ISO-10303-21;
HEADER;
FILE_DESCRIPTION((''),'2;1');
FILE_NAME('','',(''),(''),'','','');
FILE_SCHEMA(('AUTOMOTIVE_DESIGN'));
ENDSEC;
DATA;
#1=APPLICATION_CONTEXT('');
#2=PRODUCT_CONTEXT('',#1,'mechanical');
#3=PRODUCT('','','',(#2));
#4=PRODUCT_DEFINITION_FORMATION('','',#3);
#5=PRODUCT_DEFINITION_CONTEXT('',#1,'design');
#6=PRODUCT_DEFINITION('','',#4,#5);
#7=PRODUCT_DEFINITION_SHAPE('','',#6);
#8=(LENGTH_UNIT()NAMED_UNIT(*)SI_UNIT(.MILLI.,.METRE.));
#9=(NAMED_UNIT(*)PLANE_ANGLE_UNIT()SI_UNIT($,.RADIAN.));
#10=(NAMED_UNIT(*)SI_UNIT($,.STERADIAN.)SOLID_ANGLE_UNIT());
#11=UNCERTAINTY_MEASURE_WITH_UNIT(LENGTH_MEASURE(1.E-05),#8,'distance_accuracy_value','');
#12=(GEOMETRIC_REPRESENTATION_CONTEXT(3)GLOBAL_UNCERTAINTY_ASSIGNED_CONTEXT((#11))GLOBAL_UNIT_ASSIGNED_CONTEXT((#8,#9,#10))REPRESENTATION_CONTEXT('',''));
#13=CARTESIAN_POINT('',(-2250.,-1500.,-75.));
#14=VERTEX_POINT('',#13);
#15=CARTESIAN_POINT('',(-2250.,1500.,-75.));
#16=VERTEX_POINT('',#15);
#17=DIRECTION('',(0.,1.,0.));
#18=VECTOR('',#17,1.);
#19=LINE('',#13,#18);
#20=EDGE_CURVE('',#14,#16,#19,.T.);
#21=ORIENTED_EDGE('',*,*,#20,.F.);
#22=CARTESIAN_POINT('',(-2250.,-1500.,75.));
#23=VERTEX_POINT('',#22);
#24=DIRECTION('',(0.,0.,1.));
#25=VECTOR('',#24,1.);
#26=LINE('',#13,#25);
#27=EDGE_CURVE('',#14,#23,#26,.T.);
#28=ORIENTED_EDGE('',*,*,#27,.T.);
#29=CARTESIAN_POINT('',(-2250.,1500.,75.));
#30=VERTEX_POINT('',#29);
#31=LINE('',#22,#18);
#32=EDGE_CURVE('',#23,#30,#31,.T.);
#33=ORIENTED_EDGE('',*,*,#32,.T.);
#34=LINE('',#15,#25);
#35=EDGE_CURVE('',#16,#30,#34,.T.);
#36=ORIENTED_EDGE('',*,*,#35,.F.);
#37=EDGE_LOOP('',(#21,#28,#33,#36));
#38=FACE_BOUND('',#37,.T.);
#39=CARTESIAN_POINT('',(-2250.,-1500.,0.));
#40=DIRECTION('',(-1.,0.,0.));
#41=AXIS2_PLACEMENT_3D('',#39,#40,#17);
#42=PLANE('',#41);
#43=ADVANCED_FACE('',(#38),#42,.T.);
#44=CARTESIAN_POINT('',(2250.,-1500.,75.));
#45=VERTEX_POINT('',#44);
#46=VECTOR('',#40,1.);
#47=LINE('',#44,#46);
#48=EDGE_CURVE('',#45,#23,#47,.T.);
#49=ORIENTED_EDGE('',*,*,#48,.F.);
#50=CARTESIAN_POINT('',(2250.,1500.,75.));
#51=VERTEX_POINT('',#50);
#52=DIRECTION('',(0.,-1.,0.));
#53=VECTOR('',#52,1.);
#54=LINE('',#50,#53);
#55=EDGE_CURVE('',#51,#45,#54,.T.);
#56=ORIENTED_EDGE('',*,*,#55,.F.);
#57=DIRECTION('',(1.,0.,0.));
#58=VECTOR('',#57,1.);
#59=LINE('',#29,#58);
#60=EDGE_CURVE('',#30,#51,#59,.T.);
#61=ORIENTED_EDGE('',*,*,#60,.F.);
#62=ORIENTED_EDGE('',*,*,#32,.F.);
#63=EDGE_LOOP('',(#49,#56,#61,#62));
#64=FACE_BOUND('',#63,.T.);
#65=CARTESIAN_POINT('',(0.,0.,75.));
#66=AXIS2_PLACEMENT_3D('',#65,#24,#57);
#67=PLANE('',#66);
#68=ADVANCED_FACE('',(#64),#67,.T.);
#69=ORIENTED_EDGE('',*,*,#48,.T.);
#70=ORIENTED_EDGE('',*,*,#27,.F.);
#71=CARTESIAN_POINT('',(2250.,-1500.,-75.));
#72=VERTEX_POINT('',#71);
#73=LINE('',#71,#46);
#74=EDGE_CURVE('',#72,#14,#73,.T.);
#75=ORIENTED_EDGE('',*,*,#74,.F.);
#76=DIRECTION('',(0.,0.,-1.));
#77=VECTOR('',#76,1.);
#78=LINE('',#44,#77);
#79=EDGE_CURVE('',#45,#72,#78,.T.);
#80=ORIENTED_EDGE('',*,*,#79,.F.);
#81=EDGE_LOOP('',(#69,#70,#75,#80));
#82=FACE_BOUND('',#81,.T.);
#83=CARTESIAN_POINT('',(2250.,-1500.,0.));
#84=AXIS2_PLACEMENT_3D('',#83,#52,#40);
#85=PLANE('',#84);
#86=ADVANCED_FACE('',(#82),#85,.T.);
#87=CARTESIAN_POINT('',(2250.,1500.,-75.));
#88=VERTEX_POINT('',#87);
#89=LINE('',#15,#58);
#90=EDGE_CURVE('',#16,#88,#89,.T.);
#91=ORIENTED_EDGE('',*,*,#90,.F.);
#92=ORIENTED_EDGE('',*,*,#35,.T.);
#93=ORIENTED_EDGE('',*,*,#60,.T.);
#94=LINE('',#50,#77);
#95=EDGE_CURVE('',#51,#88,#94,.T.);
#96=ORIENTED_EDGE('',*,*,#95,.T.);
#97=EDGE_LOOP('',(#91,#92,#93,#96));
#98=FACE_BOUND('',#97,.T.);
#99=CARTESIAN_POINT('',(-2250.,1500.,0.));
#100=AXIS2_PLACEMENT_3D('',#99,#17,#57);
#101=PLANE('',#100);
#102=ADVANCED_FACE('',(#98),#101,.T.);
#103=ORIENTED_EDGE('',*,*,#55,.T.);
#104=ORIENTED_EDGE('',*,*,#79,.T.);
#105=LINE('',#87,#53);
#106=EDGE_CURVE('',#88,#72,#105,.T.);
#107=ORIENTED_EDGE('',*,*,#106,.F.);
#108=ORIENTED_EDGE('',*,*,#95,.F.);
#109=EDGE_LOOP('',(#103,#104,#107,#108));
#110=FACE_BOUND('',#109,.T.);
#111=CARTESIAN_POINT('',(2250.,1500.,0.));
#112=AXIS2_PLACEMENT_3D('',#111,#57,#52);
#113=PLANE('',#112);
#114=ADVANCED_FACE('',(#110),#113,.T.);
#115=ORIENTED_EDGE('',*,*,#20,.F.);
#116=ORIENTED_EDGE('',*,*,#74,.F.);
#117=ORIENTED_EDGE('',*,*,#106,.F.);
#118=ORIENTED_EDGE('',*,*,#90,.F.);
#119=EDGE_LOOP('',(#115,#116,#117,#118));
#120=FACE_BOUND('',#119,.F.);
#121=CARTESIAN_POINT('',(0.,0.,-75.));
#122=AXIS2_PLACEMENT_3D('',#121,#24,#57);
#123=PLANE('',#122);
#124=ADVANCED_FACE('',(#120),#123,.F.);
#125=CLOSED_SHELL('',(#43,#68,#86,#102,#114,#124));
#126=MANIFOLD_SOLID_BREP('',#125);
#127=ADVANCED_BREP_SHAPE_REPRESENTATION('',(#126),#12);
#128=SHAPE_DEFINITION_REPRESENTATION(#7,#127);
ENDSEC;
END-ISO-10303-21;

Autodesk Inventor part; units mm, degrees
ref_plane "YZ Plane" through (0, 0, 0) normal (1, 0, 0) x (0, 1, 0)
ref_plane "XZ Plane" through (0, 0, 0) normal (0, 1, 0) x (-1, 0, 0)
ref_plane "XY Plane" through (0, 0, 0) normal (0, 0, 1) x (1, 0, 0)
sketch "Esboço1" plane through (0, 0, 0) normal (0, 0, 1) x (1, 0, 0)
  line L0 (-2250, 1500) -> (2250, 1500)
  line L1 (2250, 1500) -> (2250, -1500)
  line L2 (2250, -1500) -> (-2250, -1500)
  line L3 (-2250, -1500) -> (-2250, 1500)
  line L4 (-2250, 1500) -> (2250, -1500) construction
  line L5 (2250, 1500) -> (-2250, -1500) construction
  point P0 (0, 0)
  point P1 (0, 0)
  dimension "d0" = 4500
  dimension "d1" = 3000
extrude "Extrusão1" add sketch "Esboço1" along normal mid plane 150
properties part number "Tampo_vidro" material "Vidro"
